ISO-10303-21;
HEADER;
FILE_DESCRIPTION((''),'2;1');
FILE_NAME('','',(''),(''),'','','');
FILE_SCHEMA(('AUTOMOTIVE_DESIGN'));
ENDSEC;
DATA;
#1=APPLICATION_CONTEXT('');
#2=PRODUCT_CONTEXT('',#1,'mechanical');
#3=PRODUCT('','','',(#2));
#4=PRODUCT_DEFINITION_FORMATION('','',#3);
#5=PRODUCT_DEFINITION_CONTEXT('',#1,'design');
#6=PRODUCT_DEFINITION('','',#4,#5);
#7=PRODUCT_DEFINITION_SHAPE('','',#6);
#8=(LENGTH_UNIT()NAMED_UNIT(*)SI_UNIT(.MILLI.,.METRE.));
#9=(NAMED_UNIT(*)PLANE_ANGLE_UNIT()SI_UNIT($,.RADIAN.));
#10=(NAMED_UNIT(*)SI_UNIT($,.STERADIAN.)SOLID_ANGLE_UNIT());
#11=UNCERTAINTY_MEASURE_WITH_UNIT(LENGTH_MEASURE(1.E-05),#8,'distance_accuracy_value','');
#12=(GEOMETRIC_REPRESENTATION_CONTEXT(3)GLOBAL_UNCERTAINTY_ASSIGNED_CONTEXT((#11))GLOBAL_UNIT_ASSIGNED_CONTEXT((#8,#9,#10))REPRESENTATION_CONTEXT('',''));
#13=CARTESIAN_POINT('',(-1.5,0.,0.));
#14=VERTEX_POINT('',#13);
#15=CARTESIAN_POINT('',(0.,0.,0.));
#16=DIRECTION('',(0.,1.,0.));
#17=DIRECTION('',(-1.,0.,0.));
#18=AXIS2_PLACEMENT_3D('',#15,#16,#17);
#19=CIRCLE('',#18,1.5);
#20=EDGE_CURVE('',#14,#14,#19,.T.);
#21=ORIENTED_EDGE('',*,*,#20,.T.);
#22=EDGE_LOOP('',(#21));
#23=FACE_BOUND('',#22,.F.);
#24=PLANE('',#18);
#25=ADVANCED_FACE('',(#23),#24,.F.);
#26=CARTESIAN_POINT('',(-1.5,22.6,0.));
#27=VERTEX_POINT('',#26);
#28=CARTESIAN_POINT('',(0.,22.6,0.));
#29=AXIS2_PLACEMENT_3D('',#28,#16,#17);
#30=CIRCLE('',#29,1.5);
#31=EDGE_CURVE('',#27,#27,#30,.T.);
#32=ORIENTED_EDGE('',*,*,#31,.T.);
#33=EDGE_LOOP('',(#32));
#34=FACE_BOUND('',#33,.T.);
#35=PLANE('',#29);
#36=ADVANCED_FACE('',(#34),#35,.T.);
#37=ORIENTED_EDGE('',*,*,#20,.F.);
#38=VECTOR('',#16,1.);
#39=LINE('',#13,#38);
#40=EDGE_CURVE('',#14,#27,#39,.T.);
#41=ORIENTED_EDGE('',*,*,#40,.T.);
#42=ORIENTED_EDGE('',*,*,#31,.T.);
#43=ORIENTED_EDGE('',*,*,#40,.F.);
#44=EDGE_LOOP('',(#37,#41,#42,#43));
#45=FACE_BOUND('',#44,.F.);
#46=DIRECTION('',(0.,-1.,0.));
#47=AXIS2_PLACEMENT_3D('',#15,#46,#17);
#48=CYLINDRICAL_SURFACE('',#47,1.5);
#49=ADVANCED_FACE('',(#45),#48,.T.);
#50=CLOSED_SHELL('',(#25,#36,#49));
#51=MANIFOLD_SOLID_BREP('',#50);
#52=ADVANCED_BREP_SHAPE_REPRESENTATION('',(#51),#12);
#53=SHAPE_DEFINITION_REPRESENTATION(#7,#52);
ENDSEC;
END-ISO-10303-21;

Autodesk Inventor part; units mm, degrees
ref_plane "YZ Plane" through (0, 0, 0) normal (1, 0, 0) x (0, 1, 0)
ref_plane "XZ Plane" through (0, 0, 0) normal (0, 1, 0) x (-1, 0, 0)
ref_plane "XY Plane" through (0, 0, 0) normal (0, 0, 1) x (1, 0, 0)
sketch "Эскиз1" plane through (0, 0, 0) normal (0, 1, 0) x (-1, 0, 0)
  circle A0 centre (0, 0) radius 1.5
  dimension "d0" = 3
extrude "Выдавливание1" add sketch "Эскиз1" along normal blind 22.6
properties part number "Ось балки рулевого управления"
